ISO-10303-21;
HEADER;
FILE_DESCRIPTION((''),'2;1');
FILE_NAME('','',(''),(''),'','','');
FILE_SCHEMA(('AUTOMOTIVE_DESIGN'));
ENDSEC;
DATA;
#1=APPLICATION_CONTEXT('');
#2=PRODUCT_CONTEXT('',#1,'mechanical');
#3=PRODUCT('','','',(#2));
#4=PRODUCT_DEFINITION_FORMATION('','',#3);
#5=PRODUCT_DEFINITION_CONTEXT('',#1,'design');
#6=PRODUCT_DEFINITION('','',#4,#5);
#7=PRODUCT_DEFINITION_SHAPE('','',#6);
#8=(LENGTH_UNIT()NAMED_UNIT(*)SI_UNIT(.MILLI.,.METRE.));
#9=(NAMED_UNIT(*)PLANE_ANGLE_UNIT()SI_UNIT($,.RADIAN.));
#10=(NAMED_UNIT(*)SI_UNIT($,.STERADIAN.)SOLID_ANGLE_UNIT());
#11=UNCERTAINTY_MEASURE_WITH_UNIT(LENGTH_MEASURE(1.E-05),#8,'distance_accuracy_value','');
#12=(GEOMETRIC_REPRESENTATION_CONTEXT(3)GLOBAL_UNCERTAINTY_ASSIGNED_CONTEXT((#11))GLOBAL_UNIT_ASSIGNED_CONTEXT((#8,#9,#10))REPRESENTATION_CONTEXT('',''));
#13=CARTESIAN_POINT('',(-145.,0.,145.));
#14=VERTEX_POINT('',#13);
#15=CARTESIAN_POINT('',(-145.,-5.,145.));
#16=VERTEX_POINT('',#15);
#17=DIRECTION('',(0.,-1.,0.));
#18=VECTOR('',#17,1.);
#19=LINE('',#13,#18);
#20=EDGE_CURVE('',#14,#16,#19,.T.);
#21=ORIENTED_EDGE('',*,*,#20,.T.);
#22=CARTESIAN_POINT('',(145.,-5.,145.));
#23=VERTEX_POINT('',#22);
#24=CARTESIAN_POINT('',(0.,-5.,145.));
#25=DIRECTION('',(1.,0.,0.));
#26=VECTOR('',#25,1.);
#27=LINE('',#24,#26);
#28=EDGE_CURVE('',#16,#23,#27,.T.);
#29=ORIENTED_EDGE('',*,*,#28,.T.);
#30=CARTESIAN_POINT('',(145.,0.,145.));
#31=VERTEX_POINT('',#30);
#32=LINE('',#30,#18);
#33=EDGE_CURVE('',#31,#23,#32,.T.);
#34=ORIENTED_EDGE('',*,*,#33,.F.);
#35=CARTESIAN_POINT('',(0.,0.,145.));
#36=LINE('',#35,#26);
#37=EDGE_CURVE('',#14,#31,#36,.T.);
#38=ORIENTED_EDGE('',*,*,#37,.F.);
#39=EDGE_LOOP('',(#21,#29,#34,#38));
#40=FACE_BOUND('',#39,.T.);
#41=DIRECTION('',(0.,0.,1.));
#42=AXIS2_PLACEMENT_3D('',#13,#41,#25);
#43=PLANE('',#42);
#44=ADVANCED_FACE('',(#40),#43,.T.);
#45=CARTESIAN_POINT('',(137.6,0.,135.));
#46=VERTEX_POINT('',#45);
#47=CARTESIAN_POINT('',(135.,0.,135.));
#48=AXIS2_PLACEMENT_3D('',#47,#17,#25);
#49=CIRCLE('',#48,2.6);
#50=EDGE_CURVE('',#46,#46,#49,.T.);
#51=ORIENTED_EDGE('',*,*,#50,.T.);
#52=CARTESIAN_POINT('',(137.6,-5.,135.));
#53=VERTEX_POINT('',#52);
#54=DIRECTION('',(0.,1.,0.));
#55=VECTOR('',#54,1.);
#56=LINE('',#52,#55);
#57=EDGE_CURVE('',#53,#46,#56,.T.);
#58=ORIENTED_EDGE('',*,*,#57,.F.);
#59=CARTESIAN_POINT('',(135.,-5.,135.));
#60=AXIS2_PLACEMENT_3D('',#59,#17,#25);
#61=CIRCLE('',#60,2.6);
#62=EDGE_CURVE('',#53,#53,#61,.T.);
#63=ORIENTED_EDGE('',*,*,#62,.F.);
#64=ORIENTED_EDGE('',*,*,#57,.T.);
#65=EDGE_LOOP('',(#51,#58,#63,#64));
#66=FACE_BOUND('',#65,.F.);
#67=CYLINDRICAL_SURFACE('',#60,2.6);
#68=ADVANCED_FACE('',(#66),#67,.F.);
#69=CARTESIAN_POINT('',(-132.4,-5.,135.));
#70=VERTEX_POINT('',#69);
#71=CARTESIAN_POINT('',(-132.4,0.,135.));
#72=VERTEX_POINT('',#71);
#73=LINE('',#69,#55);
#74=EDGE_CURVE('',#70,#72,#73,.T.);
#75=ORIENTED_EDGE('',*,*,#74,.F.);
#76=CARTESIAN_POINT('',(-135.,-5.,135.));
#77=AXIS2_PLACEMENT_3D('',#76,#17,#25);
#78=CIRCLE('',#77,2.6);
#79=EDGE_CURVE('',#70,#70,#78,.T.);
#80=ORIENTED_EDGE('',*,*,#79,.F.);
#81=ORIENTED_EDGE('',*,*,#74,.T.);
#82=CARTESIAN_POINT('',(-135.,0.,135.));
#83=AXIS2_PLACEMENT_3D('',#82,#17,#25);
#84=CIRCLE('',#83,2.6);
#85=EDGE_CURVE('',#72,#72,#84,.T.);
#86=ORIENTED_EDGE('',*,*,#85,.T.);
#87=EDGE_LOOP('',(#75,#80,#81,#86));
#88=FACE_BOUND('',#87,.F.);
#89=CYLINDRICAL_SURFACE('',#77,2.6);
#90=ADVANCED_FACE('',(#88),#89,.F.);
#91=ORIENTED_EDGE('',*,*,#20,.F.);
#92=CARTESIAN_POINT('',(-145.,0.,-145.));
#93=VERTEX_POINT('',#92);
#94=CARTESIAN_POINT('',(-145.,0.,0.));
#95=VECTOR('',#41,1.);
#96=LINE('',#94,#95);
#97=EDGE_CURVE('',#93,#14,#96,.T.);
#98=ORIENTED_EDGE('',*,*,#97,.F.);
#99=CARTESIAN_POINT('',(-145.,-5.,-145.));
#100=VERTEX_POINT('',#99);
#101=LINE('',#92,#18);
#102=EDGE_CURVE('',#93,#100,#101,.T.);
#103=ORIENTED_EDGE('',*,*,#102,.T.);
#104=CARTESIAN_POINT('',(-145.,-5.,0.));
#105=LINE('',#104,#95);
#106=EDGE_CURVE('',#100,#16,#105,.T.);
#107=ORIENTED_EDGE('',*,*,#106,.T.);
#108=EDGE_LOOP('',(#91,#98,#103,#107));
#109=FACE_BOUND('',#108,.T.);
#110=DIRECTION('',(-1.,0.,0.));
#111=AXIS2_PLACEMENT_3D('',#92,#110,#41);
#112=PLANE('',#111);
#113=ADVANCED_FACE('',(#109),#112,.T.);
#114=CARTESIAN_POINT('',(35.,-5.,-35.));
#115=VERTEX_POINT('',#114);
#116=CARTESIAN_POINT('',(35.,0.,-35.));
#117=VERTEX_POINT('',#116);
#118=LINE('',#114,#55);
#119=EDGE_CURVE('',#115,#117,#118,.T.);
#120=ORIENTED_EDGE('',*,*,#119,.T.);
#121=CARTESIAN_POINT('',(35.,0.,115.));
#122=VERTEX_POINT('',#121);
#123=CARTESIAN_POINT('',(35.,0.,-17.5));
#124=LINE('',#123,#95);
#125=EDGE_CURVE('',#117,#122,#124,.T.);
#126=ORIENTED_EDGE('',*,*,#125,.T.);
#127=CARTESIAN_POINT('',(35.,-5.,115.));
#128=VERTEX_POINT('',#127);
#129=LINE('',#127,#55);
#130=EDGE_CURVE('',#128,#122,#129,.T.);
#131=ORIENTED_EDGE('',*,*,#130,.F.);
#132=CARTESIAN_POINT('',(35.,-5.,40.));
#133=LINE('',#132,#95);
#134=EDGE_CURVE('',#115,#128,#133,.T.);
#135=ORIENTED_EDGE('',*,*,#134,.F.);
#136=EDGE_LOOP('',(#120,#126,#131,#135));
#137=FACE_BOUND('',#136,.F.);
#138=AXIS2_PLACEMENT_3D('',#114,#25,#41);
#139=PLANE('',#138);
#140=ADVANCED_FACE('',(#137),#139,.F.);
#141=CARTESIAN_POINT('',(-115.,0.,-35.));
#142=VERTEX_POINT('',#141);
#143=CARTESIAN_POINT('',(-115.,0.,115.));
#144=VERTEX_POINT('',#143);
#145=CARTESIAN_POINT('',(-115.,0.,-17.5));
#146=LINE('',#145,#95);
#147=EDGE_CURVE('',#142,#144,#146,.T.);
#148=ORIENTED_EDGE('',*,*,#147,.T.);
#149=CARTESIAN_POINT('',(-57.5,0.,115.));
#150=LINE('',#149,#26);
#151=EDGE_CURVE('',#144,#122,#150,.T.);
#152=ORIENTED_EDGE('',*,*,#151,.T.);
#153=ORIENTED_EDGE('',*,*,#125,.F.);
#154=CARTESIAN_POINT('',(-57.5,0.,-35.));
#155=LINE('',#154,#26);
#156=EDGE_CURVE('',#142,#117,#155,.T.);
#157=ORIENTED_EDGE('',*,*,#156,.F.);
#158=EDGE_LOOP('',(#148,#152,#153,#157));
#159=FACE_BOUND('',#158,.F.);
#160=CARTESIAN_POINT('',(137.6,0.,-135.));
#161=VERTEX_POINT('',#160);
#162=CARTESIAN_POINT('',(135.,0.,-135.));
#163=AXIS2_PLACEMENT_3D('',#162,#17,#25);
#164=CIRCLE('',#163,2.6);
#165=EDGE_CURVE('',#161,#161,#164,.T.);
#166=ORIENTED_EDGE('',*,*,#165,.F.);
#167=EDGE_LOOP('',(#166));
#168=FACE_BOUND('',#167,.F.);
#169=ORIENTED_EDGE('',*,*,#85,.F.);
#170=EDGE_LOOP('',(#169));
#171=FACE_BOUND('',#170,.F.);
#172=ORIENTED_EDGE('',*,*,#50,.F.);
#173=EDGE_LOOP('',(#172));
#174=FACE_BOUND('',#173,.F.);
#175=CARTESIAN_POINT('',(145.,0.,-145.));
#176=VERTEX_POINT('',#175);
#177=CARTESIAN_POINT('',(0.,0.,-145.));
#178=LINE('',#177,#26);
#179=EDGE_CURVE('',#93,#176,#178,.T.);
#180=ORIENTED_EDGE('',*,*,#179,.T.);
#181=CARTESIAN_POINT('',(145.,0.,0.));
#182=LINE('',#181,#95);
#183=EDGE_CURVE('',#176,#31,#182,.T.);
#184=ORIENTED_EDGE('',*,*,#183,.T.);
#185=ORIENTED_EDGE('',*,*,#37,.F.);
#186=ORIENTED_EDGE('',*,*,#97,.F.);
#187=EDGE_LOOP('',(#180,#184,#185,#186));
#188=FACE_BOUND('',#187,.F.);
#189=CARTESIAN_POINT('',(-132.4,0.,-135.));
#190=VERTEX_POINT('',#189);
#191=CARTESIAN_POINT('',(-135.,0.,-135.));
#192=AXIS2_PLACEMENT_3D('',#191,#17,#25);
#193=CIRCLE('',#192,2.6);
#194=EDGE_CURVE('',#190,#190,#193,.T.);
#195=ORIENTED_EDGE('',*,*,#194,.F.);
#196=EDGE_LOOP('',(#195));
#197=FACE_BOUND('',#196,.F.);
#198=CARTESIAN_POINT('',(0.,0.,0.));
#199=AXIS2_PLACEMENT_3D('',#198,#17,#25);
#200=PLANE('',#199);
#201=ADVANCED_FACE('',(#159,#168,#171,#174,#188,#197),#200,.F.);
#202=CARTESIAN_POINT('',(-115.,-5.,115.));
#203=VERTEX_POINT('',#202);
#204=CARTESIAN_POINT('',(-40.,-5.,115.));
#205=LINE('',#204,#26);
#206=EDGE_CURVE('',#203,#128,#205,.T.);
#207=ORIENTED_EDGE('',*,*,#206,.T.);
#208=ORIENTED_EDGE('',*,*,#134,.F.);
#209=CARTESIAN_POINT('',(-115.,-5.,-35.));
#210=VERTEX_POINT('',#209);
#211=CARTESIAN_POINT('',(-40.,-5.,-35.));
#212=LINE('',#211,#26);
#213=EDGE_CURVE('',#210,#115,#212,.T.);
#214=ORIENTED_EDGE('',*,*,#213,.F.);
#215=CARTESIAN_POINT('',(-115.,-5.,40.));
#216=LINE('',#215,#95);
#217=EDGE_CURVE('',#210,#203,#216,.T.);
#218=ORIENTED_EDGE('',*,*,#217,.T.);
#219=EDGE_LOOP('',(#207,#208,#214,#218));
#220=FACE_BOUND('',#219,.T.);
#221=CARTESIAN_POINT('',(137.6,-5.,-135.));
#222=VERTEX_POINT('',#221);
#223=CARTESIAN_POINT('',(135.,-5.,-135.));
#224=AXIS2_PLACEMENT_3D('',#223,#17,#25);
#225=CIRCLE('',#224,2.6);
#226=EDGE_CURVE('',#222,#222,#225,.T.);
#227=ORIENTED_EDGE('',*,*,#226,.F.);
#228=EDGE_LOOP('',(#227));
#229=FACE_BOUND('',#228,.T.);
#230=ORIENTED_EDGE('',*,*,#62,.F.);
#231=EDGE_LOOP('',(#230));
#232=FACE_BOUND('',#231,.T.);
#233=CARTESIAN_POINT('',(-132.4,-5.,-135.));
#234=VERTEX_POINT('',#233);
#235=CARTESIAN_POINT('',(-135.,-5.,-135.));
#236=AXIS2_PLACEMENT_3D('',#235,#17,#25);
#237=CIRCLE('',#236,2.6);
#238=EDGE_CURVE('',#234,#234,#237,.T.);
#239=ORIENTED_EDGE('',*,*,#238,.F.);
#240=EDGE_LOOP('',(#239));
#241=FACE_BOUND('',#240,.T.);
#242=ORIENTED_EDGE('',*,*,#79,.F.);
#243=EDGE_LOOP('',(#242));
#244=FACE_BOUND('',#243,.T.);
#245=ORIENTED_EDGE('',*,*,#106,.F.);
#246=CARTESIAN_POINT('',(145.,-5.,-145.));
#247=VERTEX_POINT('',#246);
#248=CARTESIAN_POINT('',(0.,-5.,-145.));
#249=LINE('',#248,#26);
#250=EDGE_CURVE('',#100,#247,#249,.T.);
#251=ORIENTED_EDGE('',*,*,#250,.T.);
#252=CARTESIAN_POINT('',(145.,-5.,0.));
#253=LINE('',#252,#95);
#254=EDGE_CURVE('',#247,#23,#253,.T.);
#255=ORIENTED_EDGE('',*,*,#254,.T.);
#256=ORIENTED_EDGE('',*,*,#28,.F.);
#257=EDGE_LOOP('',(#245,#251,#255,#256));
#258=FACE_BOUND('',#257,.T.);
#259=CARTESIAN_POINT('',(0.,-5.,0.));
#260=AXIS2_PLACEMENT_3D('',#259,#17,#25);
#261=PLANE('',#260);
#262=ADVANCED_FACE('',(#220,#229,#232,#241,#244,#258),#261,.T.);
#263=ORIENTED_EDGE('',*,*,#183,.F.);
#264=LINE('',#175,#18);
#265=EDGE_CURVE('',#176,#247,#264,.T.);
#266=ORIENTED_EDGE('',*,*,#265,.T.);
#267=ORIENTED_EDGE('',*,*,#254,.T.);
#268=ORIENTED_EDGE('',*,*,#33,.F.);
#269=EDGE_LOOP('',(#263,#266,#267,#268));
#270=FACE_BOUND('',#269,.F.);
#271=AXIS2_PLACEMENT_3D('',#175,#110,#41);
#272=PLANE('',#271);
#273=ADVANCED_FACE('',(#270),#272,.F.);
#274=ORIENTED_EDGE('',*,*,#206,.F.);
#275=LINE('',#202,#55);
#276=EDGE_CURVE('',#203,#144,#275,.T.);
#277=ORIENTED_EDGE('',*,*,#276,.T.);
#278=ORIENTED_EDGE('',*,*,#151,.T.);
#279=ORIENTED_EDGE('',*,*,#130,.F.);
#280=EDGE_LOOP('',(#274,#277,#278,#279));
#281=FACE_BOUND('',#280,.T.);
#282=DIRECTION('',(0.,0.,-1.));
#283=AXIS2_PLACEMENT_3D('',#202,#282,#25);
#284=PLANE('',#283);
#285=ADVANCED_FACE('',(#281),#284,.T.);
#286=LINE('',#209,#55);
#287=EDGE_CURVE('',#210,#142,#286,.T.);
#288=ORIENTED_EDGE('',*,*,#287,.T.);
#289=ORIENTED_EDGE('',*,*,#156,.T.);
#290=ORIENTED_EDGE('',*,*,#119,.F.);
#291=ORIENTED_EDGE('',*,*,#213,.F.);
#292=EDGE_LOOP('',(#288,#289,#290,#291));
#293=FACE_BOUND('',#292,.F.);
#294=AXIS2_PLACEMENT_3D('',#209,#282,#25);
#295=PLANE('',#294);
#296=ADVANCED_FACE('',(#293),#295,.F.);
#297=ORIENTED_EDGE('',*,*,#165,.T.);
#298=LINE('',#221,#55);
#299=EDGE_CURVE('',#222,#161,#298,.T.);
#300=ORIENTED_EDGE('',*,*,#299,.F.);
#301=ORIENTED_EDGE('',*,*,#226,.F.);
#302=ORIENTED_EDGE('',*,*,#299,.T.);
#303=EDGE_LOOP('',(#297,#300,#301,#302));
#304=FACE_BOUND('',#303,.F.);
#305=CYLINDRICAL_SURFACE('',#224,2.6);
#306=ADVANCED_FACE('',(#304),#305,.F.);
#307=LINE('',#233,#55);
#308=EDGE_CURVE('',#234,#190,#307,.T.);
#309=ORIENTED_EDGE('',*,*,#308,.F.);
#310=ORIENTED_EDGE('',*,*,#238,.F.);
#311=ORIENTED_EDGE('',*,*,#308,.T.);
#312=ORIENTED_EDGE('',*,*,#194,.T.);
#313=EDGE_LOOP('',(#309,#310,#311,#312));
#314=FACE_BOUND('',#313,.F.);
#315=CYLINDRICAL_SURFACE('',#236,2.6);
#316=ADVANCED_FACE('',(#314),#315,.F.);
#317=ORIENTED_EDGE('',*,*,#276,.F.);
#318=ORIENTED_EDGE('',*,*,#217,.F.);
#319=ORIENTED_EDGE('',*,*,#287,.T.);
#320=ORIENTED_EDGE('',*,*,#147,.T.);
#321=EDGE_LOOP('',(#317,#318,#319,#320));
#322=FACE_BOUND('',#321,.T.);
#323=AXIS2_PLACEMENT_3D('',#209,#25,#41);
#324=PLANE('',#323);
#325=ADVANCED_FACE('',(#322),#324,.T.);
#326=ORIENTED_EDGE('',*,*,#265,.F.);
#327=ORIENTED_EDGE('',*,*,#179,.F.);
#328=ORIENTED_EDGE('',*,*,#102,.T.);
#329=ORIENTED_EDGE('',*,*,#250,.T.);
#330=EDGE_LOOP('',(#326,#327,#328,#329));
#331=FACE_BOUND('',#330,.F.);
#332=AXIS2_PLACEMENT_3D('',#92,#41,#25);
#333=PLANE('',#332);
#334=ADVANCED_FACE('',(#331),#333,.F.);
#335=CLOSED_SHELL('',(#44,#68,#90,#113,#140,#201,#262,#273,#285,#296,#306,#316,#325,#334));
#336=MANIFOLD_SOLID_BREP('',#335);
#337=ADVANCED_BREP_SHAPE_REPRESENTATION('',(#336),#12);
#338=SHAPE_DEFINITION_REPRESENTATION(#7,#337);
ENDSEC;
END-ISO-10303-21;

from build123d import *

# Parameters (mm, degrees)
F0_W     = 290
F0_H     = 290
F1_DEPTH = 5
F2_R     = 2.6
F3_DEPTH = 5.001
F4_W     = 150
F4_H     = 150
F5_DEPTH = 5.001


with BuildPart() as f1:
    # F0 (on Front) → F1 (new body)
    with BuildSketch(Plane.XZ):
        Rectangle(F0_W, F0_H)
    extrude(amount=F1_DEPTH)

    # F2 (on face) → F3 (cut, through all)
    with BuildSketch(Plane.XZ.offset(5)):
        with Locations((-135, 135)):
            Circle(F2_R)
        with Locations((-135, -135)):
            Circle(F2_R)
        with Locations((135, 135)):
            Circle(F2_R)
        with Locations((135, -135)):
            Circle(F2_R)
        with Locations((405, 135)):
            Circle(F2_R)
        with Locations((405, -135)):
            Circle(F2_R)
    extrude(amount=-F3_DEPTH, mode=Mode.SUBTRACT)

    # F4 (on face) → F5 (cut, through all)
    with BuildSketch(Plane.XZ.offset(5)):
        with Locations((-40, 40)):
            Rectangle(F4_W, F4_H)
    extrude(amount=-F5_DEPTH, mode=Mode.SUBTRACT)


solid = f1.part
